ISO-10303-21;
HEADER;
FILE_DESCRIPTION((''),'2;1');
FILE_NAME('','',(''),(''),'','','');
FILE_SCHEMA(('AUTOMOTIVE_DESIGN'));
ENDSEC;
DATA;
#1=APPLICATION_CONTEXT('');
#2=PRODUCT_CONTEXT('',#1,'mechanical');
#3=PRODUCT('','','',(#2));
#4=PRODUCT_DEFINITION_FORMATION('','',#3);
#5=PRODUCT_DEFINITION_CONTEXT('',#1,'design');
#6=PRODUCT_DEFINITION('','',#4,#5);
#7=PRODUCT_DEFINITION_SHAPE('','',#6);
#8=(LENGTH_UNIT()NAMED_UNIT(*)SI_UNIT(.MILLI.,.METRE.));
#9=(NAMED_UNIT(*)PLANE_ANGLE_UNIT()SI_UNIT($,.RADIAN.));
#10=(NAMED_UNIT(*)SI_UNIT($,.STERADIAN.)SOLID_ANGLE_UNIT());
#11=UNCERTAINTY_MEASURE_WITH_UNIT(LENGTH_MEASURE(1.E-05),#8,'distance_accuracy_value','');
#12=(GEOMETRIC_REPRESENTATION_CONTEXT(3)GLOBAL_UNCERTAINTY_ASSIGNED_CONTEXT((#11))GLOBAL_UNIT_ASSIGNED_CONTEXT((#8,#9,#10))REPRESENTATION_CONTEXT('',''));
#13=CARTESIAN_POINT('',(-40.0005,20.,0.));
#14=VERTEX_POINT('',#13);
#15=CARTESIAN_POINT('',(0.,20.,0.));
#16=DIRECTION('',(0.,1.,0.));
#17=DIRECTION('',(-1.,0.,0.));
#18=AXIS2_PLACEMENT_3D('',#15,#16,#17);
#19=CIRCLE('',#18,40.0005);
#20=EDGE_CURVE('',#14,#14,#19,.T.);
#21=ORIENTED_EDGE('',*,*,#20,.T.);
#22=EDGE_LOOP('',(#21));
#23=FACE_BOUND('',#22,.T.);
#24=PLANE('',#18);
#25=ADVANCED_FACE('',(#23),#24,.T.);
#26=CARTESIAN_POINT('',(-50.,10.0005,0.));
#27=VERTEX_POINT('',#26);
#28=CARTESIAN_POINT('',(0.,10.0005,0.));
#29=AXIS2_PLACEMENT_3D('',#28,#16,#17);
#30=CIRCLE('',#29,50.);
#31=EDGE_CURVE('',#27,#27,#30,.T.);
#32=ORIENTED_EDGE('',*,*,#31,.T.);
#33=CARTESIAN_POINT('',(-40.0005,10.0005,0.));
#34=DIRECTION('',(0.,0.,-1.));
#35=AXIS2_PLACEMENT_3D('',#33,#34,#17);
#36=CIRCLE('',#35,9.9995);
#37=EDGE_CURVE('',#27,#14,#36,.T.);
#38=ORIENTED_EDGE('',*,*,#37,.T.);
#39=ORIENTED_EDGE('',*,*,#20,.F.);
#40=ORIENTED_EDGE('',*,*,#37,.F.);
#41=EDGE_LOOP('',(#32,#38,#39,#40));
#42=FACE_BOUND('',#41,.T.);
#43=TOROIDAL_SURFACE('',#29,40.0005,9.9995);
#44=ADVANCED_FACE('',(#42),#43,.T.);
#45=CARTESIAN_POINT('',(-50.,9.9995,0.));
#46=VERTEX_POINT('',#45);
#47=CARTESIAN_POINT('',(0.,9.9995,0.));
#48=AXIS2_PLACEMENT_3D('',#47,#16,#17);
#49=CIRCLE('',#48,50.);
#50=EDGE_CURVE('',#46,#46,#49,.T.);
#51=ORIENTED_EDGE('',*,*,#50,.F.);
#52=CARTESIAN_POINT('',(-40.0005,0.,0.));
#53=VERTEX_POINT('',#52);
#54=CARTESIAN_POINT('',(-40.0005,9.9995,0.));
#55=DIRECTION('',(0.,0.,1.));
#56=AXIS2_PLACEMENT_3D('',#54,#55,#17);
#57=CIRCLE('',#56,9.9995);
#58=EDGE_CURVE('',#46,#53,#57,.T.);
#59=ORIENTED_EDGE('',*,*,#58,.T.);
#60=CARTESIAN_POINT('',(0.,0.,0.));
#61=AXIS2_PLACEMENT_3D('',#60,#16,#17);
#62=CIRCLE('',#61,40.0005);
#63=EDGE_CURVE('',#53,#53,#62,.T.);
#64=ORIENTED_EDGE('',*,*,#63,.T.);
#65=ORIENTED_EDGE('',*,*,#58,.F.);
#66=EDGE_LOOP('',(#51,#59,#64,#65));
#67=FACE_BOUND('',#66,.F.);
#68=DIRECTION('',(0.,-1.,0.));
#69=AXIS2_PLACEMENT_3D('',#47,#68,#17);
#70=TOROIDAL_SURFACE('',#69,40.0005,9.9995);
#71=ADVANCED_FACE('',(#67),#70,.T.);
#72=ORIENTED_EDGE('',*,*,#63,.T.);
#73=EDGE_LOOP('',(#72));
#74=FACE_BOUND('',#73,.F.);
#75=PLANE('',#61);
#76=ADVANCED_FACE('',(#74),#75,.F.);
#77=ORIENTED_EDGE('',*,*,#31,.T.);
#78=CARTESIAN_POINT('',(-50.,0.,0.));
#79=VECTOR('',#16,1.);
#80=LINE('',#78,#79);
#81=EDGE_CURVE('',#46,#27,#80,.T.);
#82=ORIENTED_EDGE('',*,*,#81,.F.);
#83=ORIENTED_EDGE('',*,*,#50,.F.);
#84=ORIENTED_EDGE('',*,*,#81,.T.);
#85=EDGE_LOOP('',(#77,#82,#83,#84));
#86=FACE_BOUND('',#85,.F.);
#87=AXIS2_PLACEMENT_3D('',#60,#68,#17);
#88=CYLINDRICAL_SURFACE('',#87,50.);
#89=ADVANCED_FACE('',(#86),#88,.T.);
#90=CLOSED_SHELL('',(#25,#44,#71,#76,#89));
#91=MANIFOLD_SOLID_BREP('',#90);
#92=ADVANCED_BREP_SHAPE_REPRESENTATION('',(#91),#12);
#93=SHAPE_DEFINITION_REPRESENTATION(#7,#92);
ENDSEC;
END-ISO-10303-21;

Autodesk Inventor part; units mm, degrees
ref_plane "YZ Plane" through (0, 0, 0) normal (1, 0, 0) x (0, 1, 0)
ref_plane "XZ Plane" through (0, 0, 0) normal (0, 1, 0) x (-1, 0, 0)
ref_plane "XY Plane" through (0, 0, 0) normal (0, 0, 1) x (1, 0, 0)
sketch "Boceto1" plane through (0, 0, 0) normal (0, 1, 0) x (-1, 0, 0)
  circle A0 centre (0, 0) radius 50
  dimension "d0" = 100
extrude "Extrusión1" add sketch "Boceto1" along normal blind 20
fillet "Empalme2" radius 10 2 edges at (50, 20, 0) (50, 0, 0)
properties part number "Arepa"
